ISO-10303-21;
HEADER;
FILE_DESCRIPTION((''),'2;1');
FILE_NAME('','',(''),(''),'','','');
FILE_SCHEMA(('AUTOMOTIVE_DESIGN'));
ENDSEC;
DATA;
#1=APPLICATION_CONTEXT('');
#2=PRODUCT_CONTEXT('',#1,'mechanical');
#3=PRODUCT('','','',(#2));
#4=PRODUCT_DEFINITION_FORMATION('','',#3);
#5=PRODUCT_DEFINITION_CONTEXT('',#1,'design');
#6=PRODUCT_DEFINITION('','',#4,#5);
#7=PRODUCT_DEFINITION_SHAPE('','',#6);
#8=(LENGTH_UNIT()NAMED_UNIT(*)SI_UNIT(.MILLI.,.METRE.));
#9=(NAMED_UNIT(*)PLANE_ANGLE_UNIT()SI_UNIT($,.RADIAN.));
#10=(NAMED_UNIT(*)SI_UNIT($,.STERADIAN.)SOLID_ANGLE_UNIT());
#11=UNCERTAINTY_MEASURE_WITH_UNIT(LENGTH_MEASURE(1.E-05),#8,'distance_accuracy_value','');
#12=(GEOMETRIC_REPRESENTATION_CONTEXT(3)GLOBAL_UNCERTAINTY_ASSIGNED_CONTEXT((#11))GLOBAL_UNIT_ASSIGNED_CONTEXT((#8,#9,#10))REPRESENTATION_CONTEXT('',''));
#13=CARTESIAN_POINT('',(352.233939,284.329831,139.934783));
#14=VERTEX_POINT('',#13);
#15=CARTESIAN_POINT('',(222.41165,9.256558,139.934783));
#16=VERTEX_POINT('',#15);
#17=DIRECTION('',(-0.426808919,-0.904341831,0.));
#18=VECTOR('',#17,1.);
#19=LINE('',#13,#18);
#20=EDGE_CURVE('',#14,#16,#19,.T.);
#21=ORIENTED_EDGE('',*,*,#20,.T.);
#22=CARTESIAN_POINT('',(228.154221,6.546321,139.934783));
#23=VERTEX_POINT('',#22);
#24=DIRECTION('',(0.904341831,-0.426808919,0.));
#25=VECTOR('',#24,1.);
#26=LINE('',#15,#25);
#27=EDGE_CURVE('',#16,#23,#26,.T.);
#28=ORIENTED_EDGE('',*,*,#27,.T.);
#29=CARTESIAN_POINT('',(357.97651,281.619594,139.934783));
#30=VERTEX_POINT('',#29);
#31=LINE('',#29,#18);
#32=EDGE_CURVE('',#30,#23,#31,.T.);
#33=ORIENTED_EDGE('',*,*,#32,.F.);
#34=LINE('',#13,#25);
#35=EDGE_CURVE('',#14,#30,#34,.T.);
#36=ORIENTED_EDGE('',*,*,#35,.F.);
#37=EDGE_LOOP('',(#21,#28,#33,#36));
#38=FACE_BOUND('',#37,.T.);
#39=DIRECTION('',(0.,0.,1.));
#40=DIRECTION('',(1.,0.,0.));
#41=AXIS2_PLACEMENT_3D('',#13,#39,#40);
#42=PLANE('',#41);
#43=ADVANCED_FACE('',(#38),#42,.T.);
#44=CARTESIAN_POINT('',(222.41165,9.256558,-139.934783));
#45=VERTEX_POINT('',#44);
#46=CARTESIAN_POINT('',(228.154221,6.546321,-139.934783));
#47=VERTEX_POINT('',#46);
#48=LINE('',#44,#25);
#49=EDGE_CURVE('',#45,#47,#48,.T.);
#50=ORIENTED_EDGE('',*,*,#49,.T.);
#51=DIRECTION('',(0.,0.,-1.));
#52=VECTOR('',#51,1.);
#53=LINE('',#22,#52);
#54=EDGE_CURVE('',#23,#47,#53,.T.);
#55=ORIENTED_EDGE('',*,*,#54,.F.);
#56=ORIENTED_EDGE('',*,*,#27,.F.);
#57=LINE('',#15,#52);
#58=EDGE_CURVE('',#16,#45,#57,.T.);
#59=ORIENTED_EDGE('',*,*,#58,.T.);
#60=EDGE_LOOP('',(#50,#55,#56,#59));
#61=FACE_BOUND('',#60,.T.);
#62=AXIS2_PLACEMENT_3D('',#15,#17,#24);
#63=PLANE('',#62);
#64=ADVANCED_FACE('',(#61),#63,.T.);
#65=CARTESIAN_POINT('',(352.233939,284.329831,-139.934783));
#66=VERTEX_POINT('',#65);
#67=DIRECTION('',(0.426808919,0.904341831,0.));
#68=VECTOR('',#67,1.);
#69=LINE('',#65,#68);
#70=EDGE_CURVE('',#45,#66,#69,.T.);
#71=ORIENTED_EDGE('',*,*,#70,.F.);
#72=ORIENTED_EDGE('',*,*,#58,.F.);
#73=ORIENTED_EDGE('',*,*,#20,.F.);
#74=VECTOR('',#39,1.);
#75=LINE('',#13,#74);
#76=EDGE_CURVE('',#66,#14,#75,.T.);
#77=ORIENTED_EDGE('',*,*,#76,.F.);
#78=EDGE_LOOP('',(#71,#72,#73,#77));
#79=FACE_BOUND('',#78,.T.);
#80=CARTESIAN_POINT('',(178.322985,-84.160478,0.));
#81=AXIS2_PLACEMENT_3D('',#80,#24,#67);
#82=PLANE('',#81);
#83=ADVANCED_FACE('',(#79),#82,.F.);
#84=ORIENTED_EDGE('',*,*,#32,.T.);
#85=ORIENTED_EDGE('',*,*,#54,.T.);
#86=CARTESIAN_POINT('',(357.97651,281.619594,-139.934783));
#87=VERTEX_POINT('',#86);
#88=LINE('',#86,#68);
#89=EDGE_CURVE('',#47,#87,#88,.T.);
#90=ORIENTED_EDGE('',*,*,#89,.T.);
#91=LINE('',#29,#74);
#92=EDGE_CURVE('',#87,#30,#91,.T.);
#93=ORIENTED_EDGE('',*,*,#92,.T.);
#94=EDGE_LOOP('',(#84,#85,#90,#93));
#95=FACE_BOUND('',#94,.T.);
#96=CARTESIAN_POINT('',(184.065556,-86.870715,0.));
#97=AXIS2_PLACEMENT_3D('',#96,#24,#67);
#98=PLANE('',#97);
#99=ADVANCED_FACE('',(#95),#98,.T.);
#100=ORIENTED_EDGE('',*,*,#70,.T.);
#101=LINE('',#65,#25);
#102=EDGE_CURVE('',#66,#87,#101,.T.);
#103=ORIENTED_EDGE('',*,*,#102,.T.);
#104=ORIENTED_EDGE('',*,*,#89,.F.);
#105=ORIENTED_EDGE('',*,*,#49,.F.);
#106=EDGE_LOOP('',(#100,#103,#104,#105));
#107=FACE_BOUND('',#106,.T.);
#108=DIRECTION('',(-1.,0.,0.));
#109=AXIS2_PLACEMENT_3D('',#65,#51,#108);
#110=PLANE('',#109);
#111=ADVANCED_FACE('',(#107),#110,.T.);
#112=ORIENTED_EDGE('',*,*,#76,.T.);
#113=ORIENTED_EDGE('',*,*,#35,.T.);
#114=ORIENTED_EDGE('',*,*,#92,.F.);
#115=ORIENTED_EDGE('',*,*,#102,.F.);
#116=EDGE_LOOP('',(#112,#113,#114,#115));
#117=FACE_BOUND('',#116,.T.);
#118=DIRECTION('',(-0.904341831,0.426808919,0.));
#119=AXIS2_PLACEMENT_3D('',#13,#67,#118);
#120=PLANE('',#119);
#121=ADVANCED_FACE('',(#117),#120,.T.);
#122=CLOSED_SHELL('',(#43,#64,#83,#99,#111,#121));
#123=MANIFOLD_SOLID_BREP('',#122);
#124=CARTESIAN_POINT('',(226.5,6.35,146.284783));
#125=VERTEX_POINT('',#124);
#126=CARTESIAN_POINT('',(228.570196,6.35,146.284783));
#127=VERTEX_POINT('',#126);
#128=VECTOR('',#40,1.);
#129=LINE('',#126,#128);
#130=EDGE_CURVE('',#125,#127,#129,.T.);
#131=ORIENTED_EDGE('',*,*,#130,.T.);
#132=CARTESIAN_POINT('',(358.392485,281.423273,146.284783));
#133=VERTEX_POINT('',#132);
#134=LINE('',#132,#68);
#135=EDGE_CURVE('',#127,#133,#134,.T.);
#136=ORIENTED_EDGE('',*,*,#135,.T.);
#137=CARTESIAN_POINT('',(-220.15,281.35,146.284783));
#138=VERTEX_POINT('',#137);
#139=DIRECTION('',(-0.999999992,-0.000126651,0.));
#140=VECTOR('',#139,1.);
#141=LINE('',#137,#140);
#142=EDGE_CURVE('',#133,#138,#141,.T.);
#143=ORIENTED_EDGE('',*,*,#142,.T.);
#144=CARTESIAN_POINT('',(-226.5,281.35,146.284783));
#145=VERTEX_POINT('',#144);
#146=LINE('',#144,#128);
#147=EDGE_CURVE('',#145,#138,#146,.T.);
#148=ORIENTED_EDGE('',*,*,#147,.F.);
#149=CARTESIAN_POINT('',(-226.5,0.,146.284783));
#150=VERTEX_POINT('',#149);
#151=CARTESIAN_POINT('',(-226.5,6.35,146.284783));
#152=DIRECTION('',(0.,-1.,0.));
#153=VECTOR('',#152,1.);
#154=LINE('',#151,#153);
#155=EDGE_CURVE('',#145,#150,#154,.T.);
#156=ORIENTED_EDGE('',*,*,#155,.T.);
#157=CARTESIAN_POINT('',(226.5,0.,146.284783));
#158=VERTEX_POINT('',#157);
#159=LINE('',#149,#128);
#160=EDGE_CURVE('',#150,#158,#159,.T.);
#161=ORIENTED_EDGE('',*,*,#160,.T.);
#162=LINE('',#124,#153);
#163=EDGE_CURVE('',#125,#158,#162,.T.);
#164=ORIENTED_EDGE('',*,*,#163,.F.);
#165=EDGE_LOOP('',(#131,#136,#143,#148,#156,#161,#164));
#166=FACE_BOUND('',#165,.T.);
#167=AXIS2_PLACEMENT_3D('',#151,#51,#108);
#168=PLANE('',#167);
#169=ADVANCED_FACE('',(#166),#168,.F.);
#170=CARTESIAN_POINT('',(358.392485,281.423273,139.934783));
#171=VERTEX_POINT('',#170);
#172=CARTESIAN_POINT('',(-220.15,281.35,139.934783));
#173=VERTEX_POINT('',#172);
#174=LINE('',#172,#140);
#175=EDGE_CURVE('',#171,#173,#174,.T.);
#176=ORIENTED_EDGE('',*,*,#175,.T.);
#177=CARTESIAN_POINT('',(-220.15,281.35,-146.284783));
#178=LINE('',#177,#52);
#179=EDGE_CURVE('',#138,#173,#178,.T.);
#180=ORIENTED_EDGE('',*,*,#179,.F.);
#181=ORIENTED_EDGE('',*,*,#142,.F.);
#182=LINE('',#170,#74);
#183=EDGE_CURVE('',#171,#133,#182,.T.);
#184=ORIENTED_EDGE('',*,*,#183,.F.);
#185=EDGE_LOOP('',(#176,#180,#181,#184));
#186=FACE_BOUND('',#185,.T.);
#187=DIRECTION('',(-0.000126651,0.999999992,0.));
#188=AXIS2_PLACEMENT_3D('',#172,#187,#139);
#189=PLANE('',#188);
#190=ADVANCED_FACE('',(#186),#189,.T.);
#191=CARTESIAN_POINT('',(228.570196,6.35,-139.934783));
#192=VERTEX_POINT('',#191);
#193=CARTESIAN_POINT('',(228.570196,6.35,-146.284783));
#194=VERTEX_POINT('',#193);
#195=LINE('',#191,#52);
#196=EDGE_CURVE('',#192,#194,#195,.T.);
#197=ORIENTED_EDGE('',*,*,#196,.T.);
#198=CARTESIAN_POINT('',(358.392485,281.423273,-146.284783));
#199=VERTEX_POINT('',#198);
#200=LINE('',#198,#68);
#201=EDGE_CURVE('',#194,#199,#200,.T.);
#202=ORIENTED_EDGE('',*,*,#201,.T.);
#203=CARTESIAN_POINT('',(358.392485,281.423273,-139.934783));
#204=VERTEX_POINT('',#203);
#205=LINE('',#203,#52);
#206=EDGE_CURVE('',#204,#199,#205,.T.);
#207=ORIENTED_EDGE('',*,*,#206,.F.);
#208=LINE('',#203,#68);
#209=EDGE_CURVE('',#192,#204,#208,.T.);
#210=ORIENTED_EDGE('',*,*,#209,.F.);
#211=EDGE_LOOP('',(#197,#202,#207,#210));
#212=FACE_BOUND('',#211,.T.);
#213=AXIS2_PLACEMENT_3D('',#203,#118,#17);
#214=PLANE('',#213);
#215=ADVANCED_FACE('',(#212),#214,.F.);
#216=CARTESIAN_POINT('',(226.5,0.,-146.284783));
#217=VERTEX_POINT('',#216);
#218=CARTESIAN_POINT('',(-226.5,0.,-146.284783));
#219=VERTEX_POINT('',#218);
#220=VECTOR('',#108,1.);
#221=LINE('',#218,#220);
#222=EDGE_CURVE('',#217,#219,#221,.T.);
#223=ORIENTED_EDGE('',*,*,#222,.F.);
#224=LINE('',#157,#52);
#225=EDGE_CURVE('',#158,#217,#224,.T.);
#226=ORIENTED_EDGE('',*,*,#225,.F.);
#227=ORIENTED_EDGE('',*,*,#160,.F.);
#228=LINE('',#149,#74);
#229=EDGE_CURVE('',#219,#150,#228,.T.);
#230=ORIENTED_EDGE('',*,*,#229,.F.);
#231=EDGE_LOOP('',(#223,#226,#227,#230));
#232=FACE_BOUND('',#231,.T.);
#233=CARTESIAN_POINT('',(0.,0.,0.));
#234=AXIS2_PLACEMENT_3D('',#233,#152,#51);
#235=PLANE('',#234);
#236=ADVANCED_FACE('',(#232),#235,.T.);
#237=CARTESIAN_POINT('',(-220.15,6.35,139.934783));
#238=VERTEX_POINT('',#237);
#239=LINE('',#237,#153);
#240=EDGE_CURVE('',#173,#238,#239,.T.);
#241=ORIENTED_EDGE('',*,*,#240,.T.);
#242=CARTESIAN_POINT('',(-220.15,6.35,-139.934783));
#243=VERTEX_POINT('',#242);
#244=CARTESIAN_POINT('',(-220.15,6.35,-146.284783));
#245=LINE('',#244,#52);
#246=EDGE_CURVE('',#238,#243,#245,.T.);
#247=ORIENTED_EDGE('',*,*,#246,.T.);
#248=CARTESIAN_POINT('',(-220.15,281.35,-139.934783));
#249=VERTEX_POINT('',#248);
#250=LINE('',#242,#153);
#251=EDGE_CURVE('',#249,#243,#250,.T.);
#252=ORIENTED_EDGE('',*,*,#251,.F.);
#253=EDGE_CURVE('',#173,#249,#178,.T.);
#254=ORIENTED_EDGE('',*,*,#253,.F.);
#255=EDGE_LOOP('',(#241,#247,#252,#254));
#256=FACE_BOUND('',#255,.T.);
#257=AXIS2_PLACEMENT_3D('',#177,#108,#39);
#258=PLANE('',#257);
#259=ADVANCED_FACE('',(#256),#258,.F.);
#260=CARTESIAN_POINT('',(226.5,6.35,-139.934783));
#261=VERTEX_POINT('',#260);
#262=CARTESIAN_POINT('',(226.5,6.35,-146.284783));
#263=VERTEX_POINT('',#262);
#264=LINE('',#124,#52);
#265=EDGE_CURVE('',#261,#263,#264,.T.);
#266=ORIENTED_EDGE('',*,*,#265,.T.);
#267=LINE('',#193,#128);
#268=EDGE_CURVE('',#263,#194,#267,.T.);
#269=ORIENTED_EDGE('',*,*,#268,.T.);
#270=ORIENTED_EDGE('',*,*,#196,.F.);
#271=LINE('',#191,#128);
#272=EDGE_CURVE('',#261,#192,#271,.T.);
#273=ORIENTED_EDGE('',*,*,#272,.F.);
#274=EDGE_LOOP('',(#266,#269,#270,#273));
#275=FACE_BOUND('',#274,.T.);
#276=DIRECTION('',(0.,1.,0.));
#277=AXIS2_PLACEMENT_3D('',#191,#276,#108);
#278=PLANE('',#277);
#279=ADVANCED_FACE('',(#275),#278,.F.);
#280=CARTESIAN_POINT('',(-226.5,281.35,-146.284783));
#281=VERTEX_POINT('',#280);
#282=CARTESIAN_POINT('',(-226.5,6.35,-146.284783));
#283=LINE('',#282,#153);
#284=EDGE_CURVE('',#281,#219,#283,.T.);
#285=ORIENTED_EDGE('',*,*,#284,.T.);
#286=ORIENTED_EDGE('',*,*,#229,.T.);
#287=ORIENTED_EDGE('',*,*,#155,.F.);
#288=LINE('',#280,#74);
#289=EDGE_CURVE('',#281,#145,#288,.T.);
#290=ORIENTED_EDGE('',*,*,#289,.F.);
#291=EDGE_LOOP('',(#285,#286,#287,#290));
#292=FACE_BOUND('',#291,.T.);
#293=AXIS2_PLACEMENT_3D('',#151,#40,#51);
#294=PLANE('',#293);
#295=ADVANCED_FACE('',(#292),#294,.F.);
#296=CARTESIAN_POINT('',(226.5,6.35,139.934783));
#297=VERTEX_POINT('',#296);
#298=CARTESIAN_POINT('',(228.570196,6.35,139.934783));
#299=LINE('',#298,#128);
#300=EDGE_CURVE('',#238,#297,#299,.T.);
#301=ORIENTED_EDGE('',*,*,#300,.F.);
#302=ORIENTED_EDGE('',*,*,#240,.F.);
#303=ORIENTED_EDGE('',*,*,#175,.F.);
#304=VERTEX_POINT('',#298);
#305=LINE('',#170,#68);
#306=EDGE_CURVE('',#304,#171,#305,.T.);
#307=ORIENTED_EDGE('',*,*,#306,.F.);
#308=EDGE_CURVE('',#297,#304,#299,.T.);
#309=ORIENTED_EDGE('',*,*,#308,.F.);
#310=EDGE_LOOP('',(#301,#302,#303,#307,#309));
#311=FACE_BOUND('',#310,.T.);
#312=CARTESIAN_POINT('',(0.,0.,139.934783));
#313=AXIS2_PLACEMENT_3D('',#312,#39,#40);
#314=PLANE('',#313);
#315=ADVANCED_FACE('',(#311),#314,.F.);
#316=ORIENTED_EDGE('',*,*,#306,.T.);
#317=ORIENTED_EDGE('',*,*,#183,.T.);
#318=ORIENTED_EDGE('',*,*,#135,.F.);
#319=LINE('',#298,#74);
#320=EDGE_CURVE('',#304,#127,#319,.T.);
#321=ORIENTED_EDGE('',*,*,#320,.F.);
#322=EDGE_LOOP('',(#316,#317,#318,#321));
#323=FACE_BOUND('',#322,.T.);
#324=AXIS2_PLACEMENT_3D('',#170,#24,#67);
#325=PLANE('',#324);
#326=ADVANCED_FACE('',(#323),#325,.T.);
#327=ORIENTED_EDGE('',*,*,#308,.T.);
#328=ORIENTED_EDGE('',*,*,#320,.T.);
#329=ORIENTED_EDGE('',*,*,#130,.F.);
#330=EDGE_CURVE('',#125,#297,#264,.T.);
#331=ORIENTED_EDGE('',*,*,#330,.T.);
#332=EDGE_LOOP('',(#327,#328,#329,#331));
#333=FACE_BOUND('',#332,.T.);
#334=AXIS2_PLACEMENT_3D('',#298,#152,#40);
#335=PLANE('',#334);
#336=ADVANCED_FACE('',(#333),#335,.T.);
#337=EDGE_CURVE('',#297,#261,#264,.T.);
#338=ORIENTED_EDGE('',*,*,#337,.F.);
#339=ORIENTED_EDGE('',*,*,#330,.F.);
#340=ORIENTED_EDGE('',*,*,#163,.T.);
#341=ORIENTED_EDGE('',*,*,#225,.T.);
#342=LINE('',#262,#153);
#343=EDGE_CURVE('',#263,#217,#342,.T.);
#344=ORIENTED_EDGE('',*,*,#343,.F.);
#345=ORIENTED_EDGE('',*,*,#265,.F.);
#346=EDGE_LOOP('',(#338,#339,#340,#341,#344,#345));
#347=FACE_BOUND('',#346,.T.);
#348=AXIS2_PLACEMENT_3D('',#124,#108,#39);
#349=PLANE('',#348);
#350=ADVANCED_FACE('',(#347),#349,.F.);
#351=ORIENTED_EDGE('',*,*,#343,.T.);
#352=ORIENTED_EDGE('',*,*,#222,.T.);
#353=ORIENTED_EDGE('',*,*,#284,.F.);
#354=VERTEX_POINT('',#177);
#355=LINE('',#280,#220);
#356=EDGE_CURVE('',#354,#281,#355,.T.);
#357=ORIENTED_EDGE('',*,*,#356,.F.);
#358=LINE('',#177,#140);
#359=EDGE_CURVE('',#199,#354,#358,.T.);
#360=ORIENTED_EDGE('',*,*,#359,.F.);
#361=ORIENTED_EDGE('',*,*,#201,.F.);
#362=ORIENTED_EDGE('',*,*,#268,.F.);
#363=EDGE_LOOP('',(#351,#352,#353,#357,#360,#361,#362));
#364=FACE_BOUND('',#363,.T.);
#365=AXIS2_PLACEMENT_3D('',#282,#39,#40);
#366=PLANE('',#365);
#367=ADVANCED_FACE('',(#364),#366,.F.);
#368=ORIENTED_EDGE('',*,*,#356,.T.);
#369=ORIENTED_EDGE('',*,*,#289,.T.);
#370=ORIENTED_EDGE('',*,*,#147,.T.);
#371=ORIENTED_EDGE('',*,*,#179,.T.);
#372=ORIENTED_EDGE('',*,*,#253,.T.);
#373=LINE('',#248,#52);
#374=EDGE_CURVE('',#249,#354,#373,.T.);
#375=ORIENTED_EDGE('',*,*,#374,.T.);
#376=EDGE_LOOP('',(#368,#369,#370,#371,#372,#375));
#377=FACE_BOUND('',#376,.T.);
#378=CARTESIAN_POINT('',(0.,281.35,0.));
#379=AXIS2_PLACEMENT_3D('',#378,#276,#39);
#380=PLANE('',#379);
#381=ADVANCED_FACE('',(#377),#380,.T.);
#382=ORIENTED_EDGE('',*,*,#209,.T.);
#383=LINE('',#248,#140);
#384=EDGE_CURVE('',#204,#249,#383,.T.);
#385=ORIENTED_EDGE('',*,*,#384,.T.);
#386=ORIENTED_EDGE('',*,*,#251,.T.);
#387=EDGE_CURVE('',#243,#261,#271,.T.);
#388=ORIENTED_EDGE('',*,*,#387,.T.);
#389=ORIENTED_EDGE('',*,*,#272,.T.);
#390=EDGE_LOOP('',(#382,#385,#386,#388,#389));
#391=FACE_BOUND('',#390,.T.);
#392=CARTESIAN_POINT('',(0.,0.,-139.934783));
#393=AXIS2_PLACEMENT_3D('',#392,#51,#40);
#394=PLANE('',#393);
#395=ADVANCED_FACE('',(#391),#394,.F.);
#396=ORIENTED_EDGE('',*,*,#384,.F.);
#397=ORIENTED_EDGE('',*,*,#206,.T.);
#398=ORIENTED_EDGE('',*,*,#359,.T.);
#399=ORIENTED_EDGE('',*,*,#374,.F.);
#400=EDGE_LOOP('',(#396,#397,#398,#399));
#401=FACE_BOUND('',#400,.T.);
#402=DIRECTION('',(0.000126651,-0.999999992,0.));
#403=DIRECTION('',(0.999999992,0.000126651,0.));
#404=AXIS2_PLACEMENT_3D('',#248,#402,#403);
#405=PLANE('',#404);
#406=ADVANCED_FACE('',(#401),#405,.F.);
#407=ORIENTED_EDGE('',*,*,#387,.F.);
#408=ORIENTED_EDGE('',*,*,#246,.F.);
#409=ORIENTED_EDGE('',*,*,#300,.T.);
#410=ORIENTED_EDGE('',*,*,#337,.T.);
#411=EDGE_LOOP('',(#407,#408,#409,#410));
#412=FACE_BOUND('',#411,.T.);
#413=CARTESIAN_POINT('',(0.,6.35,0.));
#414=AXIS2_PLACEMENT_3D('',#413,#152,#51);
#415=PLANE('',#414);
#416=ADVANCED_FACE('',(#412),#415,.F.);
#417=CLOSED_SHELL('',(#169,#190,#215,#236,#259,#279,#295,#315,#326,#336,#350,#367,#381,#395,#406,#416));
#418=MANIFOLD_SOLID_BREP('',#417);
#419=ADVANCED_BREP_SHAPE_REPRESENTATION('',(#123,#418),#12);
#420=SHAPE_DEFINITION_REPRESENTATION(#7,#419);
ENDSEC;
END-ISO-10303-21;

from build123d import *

# Parameters (mm, degrees)
SKETCH1_W           = 453
SKETCH1_H           = 292.569565374
BOSS_EXTRUDE1_DEPTH = 6.35
SKETCH2_W           = 6.35
SKETCH2_H           = 292.569565374
BOSS_EXTRUDE2_DEPTH = 275
BOSS_EXTRUDE3_DEPTH = 6.35
SKETCH5_W           = 279.869565374
SKETCH5_H           = 304.169578068
BOSS_EXTRUDE5_DEPTH = 6.35


with BuildPart() as part:
    # Sketch1 → Boss-Extrude1 (new body)
    with BuildSketch(Plane(origin=(0, 0, 0), x_dir=(1, 0, 0), z_dir=(0, 1, 0))):
        Rectangle(SKETCH1_W, SKETCH1_H)
    extrude(amount=BOSS_EXTRUDE1_DEPTH)

    # Sketch2 → Boss-Extrude2 (add)
    with BuildSketch(Plane(origin=(0, 6.35, 0), x_dir=(1, 0, 0), z_dir=(0, 1, 0))):
        with Locations((-223.325, 0)):
            Rectangle(SKETCH2_W, SKETCH2_H)
    extrude(amount=BOSS_EXTRUDE2_DEPTH)

    # Sketch4 → Boss-Extrude3 (add)
    with BuildSketch(Plane.XY.offset(146.284782687)):
        Polygon((358.392484654, 281.42327302), (228.570195765, 6.35), (-220.15, 6.35), (-220.15, 281.35), align=None)
    boss_extrude3 = extrude(amount=-BOSS_EXTRUDE3_DEPTH)

    # Mirror1: Boss-Extrude3 across plane
    add(boss_extrude3.mirror(Plane.XY))


with BuildPart() as body_2:
    # Sketch5 → Boss-Extrude5 (new body)
    with BuildSketch(Plane(origin=(184.065555905, -86.870714522, 0), x_dir=(0, 0, -1), z_dir=(0.904341831, -0.426808919, 0))):
        with Locations((0, 255.383157889)):
            Rectangle(SKETCH5_W, SKETCH5_H)
    extrude(amount=-BOSS_EXTRUDE5_DEPTH)


solid = Compound([part.part, body_2.part])
